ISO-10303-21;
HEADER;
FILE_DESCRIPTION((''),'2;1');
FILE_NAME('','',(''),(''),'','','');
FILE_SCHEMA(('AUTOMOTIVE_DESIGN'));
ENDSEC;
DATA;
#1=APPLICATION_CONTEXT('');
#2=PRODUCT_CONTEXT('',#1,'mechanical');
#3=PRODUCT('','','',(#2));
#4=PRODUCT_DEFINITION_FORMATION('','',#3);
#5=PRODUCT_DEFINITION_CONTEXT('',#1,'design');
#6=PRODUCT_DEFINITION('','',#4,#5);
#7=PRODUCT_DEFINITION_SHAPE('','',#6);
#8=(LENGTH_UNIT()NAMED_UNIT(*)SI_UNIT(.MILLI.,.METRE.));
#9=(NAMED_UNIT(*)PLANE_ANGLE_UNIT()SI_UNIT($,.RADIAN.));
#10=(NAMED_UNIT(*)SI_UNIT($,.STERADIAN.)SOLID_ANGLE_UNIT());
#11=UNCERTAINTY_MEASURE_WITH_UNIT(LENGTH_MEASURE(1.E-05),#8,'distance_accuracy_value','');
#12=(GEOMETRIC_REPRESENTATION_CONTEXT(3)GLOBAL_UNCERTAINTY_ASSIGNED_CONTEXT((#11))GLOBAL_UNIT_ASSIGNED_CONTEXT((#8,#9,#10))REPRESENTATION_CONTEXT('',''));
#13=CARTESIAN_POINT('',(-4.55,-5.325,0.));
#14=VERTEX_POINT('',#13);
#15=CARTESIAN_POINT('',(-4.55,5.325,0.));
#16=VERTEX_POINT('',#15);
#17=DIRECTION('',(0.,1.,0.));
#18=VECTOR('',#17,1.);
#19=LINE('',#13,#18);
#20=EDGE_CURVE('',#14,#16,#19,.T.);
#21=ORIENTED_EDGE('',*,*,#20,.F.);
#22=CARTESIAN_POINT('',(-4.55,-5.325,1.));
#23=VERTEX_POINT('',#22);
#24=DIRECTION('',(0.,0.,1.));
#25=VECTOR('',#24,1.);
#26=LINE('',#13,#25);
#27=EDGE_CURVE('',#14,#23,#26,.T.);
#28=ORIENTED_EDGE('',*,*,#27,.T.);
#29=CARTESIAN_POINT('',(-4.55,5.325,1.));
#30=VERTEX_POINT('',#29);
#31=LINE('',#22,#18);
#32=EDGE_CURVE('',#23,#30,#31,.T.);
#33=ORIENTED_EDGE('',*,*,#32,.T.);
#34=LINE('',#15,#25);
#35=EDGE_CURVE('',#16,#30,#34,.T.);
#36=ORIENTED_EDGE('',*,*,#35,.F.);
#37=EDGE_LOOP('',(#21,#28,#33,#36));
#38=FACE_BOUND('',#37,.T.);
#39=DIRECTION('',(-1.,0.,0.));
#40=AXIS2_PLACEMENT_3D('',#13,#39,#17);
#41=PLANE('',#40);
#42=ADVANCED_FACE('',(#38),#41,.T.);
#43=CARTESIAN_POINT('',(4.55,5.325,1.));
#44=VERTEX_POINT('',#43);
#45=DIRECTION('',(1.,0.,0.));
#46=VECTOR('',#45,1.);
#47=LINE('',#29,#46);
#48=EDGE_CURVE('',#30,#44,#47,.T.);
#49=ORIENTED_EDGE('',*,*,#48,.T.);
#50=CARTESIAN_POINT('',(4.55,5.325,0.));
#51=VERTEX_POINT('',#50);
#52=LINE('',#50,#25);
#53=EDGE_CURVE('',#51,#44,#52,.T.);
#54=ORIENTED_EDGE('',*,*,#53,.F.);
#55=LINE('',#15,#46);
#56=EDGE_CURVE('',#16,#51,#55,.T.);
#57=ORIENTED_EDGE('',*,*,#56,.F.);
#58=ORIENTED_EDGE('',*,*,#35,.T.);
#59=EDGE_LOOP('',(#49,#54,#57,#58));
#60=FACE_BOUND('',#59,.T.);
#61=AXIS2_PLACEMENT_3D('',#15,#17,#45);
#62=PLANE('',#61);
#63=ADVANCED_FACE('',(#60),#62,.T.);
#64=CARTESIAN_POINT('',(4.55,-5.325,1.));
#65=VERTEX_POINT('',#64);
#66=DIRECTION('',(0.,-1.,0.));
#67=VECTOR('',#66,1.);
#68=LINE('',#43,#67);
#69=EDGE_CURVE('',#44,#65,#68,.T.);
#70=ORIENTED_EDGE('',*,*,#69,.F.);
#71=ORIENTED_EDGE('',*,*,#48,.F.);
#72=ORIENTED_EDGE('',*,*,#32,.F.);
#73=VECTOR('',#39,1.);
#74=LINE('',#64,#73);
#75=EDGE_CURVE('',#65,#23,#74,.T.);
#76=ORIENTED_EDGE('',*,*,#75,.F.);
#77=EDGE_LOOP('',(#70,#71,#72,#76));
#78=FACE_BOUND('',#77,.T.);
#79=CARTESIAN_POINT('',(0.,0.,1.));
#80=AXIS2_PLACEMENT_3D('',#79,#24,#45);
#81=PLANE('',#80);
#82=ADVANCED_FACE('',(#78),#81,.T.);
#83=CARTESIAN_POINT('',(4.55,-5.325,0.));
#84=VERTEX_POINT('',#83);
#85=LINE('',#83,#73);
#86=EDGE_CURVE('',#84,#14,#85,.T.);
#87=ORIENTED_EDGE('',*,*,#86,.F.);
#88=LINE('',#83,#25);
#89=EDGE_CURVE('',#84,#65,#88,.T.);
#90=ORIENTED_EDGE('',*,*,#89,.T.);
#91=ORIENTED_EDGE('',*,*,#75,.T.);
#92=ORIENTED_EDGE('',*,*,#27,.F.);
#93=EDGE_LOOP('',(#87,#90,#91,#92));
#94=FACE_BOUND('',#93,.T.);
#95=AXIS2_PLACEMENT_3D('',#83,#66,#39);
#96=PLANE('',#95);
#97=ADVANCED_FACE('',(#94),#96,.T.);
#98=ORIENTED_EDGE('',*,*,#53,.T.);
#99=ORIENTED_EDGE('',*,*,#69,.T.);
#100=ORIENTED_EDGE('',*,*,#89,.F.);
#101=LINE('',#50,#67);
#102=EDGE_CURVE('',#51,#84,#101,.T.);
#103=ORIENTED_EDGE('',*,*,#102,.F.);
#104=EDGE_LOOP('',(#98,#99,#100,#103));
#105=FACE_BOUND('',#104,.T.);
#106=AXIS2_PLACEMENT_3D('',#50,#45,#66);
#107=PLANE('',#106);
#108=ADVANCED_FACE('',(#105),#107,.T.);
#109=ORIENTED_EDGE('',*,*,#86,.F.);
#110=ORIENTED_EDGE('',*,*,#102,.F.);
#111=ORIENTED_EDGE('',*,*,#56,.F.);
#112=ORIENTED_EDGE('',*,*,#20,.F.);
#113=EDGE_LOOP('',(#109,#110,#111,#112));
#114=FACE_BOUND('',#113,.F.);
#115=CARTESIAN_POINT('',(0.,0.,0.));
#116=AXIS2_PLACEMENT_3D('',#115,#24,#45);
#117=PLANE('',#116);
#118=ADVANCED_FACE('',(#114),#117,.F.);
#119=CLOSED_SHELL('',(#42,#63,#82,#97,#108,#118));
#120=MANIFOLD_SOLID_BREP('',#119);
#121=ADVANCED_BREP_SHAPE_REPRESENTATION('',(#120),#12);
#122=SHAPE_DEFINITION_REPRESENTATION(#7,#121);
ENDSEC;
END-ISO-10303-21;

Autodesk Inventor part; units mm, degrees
ref_plane "YZ Plane" through (0, 0, 0) normal (1, 0, 0) x (0, 1, 0)
ref_plane "XZ Plane" through (0, 0, 0) normal (0, 1, 0) x (-1, 0, 0)
ref_plane "XY Plane" through (0, 0, 0) normal (0, 0, 1) x (1, 0, 0)
sketch "DIP760_8, 25AA1024_DIP8_255" plane through (0, 0, 0) normal (0, 0, 1) x (1, 0, 0)
  line L0 (-4.55, -5.325) -> (-4.55, 5.325)
  line L1 (-4.55, 5.325) -> (4.55, 5.325)
  line L2 (4.55, 5.325) -> (4.55, -5.325)
  line L3 (4.55, -5.325) -> (-4.55, -5.325)
extrude "Extrusion1" add sketch "DIP760_8, 25AA1024_DIP8_255" along normal blind 1
properties part number "25AA1024_DIP8"
